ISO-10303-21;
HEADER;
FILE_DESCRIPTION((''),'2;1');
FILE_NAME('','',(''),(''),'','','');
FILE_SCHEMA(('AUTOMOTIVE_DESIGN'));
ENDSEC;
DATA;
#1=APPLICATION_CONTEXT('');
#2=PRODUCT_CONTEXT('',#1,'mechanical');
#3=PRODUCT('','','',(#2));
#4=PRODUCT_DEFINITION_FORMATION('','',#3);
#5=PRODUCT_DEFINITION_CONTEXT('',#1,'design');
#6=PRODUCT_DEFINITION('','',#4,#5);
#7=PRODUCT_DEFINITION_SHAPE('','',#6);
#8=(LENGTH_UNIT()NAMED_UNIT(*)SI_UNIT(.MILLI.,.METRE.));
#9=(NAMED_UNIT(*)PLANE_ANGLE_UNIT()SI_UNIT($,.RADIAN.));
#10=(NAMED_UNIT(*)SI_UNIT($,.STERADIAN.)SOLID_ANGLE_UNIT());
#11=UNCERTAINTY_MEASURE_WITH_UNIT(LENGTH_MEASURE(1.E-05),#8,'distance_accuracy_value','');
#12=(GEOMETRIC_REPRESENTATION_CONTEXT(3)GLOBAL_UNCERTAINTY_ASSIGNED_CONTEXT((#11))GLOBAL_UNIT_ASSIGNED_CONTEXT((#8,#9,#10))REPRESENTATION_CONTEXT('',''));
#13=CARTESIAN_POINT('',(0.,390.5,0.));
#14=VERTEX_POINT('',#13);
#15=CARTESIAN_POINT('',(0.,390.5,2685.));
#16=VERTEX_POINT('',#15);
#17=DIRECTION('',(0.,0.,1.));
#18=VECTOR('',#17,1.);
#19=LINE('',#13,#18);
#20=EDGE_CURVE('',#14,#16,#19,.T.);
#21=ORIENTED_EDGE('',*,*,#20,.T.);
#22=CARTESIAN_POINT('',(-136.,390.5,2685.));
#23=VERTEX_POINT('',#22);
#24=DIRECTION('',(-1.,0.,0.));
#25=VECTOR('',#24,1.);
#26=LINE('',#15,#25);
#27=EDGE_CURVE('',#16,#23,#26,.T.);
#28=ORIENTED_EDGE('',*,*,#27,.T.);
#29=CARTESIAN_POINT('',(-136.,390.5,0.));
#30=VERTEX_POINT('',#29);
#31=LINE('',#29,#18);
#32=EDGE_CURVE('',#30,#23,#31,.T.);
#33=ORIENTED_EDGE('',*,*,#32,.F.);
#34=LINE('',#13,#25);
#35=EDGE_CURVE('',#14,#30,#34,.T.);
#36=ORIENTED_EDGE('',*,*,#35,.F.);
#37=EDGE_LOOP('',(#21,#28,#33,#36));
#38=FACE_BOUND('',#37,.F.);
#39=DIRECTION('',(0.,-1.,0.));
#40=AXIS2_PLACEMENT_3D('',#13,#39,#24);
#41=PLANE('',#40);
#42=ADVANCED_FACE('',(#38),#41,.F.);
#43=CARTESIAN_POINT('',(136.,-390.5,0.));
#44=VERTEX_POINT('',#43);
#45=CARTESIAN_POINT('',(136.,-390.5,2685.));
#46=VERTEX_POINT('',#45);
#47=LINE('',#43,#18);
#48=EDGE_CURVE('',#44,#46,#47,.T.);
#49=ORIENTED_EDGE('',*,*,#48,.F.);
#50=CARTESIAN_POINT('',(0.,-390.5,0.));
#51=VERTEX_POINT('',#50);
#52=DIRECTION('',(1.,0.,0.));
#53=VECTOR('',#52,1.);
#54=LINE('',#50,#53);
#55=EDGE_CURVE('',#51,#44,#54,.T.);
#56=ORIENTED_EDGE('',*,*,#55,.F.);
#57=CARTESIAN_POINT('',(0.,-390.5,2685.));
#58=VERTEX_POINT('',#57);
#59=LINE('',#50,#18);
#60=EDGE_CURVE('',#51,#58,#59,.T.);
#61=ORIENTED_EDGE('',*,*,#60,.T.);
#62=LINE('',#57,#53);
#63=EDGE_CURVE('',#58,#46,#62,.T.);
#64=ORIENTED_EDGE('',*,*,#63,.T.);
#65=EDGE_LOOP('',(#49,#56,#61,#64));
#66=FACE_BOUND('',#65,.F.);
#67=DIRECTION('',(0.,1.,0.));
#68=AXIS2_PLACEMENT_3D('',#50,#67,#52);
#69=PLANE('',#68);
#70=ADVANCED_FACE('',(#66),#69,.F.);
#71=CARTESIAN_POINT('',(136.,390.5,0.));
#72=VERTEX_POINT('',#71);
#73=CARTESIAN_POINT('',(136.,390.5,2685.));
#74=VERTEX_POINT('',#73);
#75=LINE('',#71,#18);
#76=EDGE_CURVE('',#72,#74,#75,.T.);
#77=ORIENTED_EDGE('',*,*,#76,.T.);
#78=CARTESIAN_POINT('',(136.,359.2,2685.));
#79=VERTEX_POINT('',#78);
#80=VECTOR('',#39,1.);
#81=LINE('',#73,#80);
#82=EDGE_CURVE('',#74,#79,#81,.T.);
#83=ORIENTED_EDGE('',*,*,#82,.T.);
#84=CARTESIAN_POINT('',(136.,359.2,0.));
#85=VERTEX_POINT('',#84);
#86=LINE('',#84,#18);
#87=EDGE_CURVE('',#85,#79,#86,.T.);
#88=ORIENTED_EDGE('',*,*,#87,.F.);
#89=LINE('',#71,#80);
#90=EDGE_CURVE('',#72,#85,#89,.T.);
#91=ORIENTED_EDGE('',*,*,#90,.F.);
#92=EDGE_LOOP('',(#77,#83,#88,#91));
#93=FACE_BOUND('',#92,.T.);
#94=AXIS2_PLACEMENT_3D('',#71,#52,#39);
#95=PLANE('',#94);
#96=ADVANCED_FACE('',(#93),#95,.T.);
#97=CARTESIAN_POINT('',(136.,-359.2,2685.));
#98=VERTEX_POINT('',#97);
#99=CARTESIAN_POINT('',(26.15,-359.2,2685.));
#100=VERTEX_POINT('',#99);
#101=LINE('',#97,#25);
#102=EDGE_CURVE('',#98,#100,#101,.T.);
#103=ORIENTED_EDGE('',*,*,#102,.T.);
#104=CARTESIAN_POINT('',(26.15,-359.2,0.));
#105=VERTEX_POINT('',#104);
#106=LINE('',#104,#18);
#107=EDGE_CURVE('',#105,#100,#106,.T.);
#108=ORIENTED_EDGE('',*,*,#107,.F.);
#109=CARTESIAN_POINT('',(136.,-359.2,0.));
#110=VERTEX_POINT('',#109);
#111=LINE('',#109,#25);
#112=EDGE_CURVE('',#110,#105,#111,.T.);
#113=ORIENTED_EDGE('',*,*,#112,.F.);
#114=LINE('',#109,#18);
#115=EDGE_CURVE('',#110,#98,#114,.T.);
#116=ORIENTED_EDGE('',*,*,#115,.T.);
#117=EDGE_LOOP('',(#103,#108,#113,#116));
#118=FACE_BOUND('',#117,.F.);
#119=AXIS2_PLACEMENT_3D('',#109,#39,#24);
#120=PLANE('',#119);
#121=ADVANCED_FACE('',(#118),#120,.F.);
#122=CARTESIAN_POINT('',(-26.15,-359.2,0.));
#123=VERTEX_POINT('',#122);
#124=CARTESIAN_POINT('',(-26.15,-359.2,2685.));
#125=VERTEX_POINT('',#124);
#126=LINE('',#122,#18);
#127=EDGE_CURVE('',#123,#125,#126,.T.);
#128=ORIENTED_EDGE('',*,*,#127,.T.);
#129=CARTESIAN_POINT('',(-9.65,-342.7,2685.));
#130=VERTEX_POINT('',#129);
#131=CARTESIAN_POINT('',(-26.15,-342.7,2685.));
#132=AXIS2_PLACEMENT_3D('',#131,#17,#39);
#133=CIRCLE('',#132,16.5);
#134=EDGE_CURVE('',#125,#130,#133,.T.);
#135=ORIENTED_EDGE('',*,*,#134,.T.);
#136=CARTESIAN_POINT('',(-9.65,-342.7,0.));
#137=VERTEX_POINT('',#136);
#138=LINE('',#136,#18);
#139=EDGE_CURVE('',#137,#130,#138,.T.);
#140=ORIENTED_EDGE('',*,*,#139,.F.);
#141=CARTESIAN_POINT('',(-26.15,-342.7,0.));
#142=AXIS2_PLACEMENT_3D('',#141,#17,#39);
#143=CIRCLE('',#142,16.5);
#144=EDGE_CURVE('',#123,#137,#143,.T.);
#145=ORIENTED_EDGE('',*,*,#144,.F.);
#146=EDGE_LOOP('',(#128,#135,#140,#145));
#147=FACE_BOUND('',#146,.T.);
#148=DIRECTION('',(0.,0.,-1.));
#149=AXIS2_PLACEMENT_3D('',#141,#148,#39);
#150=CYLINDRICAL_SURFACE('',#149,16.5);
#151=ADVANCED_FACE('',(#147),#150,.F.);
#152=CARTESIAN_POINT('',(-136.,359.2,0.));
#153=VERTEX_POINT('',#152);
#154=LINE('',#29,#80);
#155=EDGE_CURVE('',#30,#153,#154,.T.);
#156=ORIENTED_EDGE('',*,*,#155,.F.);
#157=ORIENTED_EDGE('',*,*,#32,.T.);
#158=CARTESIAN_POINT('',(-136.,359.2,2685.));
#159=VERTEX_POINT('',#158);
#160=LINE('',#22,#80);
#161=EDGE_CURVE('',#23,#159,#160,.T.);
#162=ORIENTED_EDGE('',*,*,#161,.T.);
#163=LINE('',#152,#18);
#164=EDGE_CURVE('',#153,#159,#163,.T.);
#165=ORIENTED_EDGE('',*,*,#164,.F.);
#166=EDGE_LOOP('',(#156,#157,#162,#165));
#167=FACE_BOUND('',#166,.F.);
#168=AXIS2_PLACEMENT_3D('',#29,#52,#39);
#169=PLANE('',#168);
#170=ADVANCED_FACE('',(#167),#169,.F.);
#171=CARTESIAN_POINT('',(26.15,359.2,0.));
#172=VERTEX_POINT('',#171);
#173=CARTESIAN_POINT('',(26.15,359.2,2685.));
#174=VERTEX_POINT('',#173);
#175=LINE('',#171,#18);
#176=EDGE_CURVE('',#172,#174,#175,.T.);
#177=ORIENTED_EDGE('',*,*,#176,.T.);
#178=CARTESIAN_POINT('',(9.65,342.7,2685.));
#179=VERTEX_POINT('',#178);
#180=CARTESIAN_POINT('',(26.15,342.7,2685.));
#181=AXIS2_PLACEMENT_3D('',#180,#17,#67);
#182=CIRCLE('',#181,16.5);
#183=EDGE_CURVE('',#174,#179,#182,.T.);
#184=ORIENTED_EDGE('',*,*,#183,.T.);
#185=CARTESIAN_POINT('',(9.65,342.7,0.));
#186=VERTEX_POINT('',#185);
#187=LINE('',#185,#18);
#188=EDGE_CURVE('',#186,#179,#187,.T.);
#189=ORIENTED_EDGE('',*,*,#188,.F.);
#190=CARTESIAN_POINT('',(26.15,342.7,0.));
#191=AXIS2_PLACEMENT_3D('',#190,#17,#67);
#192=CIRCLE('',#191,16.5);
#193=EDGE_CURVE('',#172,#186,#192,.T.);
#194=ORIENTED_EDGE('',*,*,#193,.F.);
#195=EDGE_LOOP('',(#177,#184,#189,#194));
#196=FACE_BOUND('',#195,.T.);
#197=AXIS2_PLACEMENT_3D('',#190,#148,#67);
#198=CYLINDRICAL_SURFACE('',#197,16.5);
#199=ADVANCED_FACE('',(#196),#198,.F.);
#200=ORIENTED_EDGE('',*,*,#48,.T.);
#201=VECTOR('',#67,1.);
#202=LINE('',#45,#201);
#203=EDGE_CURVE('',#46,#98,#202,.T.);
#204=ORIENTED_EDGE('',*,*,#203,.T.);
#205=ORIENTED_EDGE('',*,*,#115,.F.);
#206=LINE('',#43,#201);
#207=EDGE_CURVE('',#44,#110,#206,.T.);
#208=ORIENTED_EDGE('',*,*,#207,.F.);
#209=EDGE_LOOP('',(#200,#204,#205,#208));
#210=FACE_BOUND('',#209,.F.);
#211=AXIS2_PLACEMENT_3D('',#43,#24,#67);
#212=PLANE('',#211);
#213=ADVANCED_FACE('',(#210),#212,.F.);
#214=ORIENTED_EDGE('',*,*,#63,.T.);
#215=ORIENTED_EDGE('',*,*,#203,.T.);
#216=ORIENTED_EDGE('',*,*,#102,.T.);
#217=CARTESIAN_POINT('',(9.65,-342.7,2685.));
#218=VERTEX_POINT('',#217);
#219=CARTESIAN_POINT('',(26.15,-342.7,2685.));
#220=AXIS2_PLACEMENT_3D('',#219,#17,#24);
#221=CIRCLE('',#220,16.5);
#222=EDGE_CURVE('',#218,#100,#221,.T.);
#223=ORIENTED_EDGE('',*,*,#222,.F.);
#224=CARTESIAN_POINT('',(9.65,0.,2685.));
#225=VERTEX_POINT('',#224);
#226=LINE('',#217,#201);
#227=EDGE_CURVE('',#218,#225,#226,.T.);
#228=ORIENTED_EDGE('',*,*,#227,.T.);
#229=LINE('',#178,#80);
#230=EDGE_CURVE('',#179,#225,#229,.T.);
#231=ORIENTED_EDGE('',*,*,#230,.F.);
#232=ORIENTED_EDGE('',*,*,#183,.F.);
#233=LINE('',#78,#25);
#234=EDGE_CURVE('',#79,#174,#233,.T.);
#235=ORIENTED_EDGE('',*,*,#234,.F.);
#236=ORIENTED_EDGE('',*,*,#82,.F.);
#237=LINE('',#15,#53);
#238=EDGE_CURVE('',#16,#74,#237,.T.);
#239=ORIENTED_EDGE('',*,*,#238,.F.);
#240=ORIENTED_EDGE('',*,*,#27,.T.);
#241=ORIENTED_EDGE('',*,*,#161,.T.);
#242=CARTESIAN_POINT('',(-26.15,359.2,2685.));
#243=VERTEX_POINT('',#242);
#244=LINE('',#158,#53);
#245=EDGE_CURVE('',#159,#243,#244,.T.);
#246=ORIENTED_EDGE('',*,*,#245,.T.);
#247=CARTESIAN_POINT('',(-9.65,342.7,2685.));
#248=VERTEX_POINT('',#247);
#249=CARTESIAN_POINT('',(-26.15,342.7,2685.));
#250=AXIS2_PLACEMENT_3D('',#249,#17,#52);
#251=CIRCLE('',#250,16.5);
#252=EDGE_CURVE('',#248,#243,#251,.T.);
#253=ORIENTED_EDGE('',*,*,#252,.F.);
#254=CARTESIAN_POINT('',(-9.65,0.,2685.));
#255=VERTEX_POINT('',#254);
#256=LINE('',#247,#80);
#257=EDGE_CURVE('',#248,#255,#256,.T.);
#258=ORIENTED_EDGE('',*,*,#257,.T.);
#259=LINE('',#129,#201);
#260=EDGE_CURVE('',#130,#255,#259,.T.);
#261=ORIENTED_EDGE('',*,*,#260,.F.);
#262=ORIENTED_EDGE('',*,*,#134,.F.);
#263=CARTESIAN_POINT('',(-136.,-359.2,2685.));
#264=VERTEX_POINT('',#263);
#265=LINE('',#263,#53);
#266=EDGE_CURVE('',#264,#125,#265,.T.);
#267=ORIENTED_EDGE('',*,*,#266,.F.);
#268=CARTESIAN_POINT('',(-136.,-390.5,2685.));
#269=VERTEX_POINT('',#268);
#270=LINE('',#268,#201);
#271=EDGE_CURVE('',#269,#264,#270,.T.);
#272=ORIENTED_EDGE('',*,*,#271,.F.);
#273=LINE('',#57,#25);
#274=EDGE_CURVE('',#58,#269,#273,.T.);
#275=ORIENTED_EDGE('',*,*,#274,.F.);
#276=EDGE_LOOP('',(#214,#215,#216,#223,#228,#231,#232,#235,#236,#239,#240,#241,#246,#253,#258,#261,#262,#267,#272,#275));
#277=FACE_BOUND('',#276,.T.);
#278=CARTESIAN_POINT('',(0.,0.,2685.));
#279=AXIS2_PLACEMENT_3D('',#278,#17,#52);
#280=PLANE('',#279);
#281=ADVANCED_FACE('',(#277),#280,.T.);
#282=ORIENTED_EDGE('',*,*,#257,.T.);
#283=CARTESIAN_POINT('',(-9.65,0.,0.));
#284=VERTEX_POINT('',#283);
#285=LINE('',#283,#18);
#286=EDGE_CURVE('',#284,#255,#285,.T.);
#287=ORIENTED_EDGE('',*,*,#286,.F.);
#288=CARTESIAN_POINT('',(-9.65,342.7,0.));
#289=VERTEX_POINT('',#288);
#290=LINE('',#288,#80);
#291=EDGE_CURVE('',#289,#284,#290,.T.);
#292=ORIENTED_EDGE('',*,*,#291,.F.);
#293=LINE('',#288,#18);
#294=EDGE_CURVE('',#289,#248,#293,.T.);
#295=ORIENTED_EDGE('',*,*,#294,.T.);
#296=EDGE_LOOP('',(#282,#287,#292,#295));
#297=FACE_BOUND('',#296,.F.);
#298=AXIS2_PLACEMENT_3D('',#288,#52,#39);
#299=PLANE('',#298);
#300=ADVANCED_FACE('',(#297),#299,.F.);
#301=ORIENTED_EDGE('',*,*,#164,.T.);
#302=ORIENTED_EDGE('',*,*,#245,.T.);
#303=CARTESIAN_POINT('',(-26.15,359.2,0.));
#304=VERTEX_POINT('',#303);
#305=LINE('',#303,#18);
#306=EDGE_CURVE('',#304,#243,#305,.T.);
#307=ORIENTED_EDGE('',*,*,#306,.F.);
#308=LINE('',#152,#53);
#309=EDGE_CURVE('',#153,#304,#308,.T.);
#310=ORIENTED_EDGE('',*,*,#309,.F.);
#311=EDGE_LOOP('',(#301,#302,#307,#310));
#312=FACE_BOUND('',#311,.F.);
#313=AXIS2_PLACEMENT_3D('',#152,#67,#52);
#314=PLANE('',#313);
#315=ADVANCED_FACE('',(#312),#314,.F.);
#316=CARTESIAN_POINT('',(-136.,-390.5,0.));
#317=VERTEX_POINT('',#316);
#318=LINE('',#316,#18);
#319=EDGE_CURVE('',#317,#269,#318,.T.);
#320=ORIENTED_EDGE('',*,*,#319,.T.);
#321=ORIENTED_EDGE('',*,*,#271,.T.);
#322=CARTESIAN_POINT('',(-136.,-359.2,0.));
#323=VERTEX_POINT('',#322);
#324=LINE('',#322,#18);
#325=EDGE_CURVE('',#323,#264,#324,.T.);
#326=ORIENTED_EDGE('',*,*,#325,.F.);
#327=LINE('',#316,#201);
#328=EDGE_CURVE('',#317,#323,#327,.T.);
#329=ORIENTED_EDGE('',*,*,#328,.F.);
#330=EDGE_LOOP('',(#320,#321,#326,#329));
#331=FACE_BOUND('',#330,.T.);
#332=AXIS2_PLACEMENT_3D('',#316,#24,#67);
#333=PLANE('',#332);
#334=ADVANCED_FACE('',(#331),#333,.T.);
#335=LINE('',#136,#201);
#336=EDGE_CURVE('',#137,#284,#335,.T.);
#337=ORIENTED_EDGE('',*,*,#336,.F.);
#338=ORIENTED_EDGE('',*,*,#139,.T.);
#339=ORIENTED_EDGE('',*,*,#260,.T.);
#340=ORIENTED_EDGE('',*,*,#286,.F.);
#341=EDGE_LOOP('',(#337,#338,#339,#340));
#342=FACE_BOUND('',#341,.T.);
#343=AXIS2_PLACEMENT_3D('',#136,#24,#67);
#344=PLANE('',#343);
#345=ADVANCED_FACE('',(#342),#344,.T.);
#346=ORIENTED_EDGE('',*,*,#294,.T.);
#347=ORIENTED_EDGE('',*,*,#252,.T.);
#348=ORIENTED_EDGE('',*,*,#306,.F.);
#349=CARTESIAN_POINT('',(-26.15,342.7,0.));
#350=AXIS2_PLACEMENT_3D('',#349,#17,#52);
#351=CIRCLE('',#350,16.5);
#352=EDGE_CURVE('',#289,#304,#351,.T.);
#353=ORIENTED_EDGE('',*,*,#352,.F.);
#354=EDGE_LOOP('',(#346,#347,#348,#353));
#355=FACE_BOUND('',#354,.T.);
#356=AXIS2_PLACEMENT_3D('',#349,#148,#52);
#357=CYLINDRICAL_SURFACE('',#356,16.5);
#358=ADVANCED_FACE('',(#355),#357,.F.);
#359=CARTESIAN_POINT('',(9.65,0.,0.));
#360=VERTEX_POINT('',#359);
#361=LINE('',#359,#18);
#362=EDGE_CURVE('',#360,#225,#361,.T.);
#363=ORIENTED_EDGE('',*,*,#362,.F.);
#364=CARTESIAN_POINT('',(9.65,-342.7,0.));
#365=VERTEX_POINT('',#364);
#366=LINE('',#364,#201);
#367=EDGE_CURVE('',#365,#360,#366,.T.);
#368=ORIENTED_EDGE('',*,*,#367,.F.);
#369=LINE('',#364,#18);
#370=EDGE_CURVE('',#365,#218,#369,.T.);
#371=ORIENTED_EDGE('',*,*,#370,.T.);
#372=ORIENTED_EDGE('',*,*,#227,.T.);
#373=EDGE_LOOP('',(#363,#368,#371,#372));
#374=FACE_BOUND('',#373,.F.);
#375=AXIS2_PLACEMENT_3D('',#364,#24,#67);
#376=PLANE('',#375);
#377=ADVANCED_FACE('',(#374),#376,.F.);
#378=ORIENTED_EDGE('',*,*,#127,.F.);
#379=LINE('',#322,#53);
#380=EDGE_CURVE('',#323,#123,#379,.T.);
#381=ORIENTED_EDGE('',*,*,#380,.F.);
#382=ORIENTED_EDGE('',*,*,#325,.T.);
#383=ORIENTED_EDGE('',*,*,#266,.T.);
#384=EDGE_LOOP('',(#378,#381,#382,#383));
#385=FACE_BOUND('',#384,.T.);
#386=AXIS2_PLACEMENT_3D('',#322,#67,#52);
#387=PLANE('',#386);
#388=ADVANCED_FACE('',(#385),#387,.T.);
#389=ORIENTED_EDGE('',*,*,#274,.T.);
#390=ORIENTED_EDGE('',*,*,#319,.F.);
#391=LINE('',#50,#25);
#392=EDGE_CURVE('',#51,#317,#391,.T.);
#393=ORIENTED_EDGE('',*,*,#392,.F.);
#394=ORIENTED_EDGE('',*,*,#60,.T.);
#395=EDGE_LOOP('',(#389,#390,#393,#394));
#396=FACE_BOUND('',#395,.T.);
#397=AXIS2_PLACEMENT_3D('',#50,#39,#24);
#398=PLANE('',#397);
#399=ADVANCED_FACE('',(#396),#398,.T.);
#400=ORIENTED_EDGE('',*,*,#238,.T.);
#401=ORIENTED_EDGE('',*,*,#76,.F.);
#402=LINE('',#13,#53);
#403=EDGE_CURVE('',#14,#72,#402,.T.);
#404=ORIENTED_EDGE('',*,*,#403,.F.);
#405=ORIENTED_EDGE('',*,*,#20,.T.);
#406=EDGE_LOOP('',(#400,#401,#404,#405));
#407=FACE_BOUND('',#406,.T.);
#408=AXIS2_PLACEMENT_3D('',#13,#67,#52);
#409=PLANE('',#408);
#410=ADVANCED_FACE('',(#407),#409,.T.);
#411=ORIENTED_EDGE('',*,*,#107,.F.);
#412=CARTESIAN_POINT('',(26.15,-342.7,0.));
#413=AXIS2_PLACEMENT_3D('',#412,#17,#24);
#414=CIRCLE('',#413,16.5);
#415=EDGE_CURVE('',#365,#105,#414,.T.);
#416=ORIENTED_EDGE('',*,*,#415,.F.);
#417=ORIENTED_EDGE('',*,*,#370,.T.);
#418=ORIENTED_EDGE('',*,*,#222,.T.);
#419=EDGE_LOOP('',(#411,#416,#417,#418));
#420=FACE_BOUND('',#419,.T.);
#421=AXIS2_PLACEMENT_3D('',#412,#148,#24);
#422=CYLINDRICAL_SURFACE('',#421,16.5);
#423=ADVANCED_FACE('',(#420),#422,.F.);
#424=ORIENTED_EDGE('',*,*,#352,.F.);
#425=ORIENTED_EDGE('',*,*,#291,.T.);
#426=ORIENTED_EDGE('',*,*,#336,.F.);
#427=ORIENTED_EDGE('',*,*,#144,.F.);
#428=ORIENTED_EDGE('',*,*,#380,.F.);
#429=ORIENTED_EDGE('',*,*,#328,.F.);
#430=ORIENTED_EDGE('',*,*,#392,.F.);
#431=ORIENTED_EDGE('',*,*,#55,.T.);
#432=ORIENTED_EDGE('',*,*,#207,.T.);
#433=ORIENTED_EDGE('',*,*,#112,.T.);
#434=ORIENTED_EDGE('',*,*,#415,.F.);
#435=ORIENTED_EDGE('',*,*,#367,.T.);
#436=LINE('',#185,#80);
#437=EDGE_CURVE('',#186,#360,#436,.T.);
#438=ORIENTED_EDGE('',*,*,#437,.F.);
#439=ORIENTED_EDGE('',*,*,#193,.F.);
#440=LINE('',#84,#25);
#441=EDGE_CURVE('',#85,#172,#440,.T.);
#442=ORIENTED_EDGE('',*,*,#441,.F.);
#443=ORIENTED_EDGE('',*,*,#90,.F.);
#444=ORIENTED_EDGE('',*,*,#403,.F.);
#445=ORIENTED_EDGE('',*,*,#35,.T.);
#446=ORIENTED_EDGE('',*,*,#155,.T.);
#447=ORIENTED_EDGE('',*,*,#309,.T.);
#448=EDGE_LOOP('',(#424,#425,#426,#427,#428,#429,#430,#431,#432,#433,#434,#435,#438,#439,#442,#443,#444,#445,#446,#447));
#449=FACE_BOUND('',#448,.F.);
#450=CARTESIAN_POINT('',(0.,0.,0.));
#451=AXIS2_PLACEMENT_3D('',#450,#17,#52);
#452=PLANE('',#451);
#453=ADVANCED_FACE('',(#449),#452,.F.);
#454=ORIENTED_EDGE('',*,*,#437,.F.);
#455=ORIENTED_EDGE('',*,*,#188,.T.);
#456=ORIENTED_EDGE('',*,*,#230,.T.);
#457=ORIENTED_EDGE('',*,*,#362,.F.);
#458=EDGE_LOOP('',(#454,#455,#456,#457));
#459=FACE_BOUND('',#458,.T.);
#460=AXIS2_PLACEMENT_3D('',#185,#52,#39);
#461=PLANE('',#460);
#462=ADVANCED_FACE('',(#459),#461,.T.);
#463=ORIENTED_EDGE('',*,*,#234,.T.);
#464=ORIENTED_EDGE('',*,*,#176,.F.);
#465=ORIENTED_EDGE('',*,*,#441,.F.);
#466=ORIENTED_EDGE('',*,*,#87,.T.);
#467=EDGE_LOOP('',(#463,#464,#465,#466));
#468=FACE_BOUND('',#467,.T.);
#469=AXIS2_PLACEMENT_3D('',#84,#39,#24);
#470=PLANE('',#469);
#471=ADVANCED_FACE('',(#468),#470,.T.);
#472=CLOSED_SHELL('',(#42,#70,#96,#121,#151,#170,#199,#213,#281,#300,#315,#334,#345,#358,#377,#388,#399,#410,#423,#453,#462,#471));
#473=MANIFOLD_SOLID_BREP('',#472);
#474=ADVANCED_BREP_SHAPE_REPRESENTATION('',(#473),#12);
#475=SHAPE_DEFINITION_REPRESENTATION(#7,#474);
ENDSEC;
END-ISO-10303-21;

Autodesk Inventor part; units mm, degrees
ref_plane "YZ Plane" through (0, 0, 0) normal (1, 0, 0) x (0, 1, 0)
ref_plane "Start plane" through (0, 0, 0) normal (0, 0, 1) x (1, 0, 0)
ref_plane "End plane" through (0, 0, 2685) normal (0, 0, 1) x (1, 0, 0)
sketch "Sketch" plane through (0, 0, 0) normal (0, 0, 1) x (1, 0, 0)
  line L0 (-136, -390.5) -> (-136, -359.2)
  line L1 (-136, -359.2) -> (-26.15, -359.2)
  line L2 (-9.65, -342.7) -> (-9.65, 0)
  line L3 (-9.65, 0) -> (0, 0) construction
  line L4 (0, 0) -> (0, -390.5) construction
  line L5 (0, -390.5) -> (-136, -390.5)
  line L6 (-60, 0) -> (80, 0) construction
  line L7 (0, -60) -> (0, 80) construction
  line L8 (136, -390.5) -> (136, -359.2)
  line L9 (136, -359.2) -> (26.15, -359.2)
  line L10 (9.65, -342.7) -> (9.65, 0)
  line L11 (9.65, 0) -> (0, 0) construction
  line L12 (0, -390.5) -> (136, -390.5)
  line L13 (-136, 390.5) -> (-136, 359.2)
  line L14 (-136, 359.2) -> (-26.15, 359.2)
  line L15 (-9.65, 342.7) -> (-9.65, 0)
  line L16 (0, 390.5) -> (-136, 390.5)
  line L17 (136, 390.5) -> (136, 359.2)
  line L18 (136, 359.2) -> (26.15, 359.2)
  line L19 (0, 390.5) -> (136, 390.5)
  line L20 (9.65, 342.7) -> (9.65, 0)
  arc A0 (-9.65, 342.7) -> (-26.15, 359.2) centre (-26.15, 342.7) ccw
  arc A1 (26.15, 359.2) -> (9.65, 342.7) centre (26.15, 342.7) ccw
  arc A2 (9.65, -342.7) -> (26.15, -359.2) centre (26.15, -342.7) ccw
  arc A3 (-26.15, -359.2) -> (-9.65, -342.7) centre (-26.15, -342.7) ccw
  line L21 (0, 108) -> (0, -88) construction
  line L22 (-88, 0) -> (108, 0) construction
  point P0 (-9.65, -359.2)
  point P1 (9.65, -359.2)
  point P2 (-9.65, 359.2)
  point P3 (9.65, 359.2)
  dimension "d1" = 390.5
  dimension "d2" = 31.3
  dimension "d3" = 136
  dimension "d4" = 9.65
  dimension "d10" = 16.5
extrude "Body" add sketch "Sketch" along normal up to surface (2685 mm away) from surface at 0
sketch "Sketch4" plane through (0, 0, 0) normal (0, 0, 1) x (1, 0, 0)
  line L0 (0, 0) -> (10, 0)
ref_plane "Work Plane3" through (0, 0, 0) normal (0, -1, 0) x (1, 0, 0)
sketch "Sketch5" plane through (0, 0, 0) normal (0, -1, 0) x (1, 0, 0)
  line L0 (-2, 0) -> (12, 0) projected
  line L1 (-2, 2685) -> (12, 2685) projected
  dimension "d14" = 2685
equation "\"d1\" = 0.5 * G_H"
equation "\"d2\" = G_T1"
equation "\"d3\" = 0.5 * G_W"
equation "\"d4\" = 0.5 * G_T"
equation "\"d10\" = G_IR"
equation "\"d5\" = G_L"
equation "\"G_W\" = 272"
equation "\"G_H\" = 781"
equation "\"G_T\" = 19.3"
equation "\"G_T1\" = 31.3"
equation "\"G_IR\" = 16.5"
equation "\"G_L\" = d14"
equation "\"G_OFFSET_START\" = 0"
equation "\"G_OFFSET_END\" = 0"
equation "\"d12\" = G_OFFSET_END + B_L"
equation "\"B_L\" = 2685"
properties part number "AS 3679-1990 - 760 UB - 244 - 2685" material "Steel, Mild"
